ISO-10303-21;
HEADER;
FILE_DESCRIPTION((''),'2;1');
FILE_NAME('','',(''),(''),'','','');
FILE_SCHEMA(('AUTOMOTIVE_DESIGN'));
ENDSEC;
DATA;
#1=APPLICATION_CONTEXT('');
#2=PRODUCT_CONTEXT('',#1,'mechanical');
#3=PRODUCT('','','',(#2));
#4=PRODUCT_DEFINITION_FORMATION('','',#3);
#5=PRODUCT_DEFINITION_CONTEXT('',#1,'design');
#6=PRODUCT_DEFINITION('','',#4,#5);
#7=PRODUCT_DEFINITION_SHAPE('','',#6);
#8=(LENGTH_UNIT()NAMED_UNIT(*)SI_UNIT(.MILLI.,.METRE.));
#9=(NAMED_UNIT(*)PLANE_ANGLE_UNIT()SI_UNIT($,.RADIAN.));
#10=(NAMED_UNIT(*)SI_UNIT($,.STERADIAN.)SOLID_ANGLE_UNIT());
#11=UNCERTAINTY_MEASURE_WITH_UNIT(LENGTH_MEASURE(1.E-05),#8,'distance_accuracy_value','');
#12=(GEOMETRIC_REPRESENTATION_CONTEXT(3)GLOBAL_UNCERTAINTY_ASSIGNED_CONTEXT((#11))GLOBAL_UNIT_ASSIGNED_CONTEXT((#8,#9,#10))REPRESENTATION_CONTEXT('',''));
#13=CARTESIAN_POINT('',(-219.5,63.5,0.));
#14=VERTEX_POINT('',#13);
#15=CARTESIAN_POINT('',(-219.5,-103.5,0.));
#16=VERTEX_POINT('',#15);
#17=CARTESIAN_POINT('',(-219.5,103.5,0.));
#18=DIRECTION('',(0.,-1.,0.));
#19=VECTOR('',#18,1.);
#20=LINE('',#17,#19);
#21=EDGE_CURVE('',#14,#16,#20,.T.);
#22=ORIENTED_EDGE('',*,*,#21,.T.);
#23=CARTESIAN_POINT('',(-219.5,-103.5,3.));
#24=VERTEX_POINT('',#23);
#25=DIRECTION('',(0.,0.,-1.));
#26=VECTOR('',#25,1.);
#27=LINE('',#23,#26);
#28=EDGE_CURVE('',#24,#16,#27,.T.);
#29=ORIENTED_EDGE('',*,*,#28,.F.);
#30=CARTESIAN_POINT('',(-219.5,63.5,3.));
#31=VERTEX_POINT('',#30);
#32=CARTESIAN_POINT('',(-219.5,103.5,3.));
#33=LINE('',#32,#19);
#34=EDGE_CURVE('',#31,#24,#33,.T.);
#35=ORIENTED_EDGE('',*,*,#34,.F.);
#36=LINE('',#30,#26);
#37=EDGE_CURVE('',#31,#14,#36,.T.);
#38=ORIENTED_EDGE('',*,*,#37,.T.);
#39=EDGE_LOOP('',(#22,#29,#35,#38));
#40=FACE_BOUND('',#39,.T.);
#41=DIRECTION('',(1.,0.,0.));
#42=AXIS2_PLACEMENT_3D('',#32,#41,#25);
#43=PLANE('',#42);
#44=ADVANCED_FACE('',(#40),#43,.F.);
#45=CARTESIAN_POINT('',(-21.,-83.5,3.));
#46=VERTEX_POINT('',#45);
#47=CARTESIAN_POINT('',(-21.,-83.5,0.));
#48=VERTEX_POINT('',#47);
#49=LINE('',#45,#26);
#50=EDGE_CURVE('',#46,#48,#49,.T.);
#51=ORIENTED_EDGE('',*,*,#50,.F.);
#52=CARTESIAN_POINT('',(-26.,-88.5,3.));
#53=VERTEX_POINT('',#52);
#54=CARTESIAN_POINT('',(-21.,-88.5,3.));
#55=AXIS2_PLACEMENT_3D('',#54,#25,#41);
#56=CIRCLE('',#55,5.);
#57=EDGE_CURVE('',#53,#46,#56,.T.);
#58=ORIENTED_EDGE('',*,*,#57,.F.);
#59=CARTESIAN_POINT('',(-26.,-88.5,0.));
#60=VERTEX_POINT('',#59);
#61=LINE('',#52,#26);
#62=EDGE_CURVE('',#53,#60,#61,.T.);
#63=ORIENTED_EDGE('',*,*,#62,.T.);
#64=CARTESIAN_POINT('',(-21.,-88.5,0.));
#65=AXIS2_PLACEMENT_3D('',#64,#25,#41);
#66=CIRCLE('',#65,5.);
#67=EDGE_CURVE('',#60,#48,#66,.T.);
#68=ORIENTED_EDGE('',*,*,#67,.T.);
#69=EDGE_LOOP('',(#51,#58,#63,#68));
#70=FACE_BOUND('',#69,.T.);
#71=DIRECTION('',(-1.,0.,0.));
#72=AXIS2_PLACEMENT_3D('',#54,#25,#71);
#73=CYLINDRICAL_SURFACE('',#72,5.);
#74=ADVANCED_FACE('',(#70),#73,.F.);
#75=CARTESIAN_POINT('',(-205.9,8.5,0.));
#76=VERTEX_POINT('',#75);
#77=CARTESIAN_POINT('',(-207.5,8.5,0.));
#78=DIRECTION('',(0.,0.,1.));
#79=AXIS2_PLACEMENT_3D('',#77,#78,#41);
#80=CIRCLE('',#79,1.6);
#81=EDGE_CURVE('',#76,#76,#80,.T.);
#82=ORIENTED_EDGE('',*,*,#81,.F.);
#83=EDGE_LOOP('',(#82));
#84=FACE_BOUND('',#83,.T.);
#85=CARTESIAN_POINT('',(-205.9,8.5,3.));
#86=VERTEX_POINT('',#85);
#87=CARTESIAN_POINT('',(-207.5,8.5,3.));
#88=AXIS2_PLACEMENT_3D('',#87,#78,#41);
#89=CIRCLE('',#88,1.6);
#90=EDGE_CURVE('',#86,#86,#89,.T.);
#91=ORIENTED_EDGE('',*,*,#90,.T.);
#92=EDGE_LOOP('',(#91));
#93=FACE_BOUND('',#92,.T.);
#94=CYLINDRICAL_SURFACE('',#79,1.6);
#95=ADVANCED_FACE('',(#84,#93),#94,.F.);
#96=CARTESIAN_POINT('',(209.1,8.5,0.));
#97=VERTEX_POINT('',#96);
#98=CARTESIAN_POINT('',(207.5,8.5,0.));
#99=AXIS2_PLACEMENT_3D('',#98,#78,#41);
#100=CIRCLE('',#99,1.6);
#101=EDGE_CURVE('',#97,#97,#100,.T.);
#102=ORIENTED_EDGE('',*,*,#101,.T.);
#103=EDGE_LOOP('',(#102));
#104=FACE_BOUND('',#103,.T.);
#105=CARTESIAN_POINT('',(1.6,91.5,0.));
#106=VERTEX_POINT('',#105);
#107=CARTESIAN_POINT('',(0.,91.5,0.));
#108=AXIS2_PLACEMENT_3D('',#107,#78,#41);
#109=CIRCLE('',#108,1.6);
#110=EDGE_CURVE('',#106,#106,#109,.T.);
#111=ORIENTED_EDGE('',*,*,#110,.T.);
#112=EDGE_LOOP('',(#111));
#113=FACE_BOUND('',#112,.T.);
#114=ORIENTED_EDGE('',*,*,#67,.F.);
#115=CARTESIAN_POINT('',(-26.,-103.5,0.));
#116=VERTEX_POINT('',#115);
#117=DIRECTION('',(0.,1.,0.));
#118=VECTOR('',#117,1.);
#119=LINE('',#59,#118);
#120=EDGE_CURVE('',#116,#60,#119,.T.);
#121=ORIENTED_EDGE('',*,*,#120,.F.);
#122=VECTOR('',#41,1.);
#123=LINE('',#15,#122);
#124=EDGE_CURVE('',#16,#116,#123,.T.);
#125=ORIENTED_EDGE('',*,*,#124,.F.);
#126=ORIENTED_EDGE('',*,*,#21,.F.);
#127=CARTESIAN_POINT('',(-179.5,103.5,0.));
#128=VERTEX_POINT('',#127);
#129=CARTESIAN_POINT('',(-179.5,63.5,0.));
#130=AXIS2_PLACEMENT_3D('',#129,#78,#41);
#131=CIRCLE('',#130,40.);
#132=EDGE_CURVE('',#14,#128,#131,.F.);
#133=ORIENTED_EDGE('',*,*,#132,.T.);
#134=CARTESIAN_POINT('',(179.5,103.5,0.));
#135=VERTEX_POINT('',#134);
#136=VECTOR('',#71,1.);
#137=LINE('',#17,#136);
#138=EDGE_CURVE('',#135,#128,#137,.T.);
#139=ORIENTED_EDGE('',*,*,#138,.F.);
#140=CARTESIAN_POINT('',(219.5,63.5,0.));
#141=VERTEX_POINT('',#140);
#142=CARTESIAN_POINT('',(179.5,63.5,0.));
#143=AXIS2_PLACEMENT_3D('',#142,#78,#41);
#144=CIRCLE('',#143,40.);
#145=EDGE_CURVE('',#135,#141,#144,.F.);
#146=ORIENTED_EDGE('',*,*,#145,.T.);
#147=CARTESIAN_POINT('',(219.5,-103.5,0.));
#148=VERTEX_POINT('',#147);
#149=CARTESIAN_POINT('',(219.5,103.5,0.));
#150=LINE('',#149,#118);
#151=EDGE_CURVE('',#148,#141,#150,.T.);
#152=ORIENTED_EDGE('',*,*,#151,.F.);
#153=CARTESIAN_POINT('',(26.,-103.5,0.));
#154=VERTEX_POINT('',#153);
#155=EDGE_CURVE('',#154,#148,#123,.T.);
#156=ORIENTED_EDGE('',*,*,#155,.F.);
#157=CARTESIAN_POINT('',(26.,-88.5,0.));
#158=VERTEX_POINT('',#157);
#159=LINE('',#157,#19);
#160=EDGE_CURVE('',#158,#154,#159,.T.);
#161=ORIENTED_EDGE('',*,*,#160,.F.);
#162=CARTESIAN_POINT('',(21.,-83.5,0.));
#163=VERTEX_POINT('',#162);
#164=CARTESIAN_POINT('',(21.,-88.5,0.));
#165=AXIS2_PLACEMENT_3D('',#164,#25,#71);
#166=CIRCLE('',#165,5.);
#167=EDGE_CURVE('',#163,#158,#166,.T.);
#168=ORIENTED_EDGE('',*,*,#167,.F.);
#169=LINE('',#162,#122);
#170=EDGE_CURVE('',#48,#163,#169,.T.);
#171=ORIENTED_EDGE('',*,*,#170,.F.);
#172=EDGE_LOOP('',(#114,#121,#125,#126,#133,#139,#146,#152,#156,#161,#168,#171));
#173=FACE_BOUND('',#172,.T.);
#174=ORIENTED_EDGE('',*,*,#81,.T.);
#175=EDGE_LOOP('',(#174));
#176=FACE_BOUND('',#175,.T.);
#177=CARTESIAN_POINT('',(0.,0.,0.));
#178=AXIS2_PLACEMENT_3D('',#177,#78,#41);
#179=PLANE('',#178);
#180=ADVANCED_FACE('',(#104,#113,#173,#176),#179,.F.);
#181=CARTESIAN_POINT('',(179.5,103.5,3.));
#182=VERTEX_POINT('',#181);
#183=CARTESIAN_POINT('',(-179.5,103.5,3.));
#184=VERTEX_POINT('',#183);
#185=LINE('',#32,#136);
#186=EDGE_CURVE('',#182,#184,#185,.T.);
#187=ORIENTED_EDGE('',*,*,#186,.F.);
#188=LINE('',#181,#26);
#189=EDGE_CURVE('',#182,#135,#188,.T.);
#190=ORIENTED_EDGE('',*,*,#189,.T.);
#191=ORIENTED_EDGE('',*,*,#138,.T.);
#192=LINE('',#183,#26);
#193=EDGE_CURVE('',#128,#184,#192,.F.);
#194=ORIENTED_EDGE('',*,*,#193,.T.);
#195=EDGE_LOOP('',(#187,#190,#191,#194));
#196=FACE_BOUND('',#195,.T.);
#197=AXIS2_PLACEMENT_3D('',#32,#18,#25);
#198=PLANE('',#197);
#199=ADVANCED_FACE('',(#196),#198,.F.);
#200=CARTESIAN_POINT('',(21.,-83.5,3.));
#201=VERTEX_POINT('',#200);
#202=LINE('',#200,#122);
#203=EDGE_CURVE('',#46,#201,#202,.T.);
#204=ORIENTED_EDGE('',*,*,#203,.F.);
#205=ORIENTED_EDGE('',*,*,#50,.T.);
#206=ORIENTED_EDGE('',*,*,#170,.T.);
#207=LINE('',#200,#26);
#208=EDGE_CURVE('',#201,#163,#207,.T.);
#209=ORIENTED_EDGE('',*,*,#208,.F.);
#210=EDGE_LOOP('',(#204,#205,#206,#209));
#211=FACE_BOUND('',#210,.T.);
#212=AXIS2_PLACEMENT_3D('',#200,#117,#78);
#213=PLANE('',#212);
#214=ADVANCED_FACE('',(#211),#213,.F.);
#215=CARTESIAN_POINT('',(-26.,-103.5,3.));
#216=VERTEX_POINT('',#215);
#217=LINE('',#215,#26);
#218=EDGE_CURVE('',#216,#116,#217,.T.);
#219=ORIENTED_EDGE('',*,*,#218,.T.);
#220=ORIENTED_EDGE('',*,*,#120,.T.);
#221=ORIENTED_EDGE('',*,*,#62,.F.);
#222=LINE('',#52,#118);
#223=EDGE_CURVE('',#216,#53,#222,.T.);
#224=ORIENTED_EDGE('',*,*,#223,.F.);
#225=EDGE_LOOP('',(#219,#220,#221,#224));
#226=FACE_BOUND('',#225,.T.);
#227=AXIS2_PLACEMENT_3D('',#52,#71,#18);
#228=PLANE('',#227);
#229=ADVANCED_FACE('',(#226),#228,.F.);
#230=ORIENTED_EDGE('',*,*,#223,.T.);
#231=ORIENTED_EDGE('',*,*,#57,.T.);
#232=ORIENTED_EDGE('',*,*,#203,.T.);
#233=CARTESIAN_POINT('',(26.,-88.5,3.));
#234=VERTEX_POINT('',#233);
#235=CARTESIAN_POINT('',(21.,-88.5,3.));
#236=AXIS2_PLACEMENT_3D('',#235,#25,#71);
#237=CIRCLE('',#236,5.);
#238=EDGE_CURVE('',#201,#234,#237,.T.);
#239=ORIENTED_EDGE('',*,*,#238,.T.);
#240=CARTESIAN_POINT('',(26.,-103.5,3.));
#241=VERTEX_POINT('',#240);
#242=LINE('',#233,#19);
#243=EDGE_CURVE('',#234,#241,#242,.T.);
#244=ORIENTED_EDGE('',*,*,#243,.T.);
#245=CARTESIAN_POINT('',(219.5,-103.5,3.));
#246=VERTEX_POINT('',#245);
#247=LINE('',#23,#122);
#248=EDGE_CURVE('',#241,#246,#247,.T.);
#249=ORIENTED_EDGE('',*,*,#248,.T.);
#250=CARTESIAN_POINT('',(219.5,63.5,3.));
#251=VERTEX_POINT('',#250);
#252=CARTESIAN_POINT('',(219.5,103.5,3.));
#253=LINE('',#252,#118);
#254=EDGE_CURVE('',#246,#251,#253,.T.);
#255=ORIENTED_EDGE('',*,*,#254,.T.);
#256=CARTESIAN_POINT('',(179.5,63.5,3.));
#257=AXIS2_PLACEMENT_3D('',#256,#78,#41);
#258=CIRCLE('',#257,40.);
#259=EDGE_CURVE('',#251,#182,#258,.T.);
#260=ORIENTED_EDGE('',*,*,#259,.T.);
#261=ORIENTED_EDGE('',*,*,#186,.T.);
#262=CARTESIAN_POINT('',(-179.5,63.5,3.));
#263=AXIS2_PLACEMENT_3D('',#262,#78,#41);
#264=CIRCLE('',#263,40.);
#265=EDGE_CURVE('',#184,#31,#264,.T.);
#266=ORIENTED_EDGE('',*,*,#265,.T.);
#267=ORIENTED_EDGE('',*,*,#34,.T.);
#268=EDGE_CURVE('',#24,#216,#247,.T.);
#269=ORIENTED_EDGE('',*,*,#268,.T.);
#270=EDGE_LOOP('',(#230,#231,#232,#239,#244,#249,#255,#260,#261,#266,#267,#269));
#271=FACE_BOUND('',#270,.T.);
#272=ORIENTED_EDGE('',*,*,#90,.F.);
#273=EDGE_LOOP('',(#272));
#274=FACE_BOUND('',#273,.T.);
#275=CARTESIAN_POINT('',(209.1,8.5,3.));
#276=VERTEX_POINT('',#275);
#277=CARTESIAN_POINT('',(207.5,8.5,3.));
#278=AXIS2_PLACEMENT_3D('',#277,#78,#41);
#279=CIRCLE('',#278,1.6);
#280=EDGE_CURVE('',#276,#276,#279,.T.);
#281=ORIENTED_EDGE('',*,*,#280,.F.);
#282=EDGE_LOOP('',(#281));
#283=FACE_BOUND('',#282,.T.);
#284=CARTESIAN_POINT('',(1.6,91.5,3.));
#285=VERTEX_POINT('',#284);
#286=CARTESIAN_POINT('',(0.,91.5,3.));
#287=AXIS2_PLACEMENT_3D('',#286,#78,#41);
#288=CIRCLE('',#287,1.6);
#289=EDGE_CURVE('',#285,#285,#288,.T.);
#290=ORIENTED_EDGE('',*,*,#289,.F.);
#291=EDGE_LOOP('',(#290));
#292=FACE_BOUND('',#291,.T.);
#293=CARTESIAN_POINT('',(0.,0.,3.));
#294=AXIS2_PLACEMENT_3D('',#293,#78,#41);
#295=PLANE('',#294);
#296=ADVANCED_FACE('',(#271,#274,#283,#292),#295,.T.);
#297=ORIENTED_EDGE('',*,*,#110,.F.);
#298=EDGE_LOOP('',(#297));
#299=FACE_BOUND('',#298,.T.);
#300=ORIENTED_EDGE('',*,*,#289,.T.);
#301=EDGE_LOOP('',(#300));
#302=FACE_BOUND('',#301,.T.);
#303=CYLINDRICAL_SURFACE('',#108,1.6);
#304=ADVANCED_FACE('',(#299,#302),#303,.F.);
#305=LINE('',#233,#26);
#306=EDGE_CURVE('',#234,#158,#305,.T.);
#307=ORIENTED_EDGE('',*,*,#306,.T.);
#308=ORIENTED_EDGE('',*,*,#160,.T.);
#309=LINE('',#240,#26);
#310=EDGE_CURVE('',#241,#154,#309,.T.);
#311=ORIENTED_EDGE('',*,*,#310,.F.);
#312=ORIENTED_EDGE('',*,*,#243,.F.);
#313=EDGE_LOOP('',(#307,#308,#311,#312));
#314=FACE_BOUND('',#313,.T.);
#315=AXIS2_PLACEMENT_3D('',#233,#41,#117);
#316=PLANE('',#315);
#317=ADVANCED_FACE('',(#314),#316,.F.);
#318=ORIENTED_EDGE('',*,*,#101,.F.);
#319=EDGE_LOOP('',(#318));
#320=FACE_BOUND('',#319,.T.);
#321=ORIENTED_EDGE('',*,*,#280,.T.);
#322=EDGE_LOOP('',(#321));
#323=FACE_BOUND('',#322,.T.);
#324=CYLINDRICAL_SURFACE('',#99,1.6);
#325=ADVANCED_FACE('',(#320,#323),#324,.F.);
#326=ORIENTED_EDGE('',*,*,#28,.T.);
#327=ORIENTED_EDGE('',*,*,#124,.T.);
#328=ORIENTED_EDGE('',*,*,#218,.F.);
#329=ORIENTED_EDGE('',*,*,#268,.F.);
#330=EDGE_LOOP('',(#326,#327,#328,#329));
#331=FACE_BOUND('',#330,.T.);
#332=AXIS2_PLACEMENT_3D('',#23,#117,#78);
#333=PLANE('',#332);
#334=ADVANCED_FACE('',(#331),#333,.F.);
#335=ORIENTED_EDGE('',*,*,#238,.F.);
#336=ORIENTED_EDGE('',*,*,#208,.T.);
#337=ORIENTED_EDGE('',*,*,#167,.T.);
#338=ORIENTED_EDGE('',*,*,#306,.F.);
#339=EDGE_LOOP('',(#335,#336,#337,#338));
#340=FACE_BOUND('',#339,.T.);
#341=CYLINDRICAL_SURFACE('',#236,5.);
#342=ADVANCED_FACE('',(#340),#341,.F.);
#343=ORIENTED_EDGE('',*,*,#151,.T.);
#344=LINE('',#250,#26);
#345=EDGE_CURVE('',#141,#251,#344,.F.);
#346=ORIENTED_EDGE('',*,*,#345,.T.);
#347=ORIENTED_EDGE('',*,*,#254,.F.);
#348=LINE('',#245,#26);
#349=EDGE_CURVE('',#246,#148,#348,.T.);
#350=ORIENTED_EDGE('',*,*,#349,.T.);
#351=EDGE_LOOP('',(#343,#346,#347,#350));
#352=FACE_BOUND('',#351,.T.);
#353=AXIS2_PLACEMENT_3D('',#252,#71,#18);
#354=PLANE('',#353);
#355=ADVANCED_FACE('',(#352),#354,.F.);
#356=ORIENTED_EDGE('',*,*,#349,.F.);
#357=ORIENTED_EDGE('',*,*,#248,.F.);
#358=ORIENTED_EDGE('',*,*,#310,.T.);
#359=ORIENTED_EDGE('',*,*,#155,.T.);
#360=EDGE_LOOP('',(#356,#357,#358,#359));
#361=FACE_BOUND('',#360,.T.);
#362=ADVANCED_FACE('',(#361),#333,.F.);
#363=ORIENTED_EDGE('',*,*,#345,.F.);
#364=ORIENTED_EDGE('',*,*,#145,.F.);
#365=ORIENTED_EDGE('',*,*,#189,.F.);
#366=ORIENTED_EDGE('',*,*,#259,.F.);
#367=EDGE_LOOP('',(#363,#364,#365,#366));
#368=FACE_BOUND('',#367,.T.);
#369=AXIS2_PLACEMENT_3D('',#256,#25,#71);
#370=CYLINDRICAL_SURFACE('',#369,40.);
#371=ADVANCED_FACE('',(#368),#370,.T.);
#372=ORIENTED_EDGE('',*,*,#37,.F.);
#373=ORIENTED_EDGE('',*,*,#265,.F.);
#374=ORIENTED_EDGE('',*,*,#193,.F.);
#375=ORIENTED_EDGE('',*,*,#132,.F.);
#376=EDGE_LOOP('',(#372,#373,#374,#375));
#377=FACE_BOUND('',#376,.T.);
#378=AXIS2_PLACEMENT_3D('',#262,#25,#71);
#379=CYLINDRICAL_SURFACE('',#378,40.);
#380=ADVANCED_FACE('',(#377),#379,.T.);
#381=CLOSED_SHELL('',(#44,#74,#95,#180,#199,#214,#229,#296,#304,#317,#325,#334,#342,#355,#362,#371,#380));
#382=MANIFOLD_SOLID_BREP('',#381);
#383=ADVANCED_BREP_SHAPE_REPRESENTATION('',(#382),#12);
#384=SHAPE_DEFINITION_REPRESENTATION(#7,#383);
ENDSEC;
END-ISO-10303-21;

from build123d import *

# Parameters (mm, degrees)
SKETCH1_W           = 439
SKETCH1_H           = 207
BOSS_EXTRUDE1_DEPTH = 3
FILLET1_R           = 40
CUT_EXTRUDE1_DEPTH  = 243.696312292
SKETCH3_R           = 1.6
CUT_EXTRUDE2_DEPTH  = 243.696312292
SKETCH4_R           = 1.6
CUT_EXTRUDE3_DEPTH  = 243.696312292


with BuildPart() as part:
    # Sketch1 → Boss-Extrude1 (new body)
    with BuildSketch(Plane.XY):
        Rectangle(SKETCH1_W, SKETCH1_H)
    extrude(amount=BOSS_EXTRUDE1_DEPTH)

    # Fillet1
    fillet1_edges = [part.edges().sort_by_distance(p)[0] for p in [
        (-219.5, 103.5, 1.5),
        (219.5, 103.5, 1.5),
    ]]
    fillet(fillet1_edges, radius=FILLET1_R)

    # Sketch2 → Cut-Extrude1 (cut, through all)
    with BuildSketch(Plane(origin=(0, 0, 0), x_dir=(-1, 0, 0), z_dir=(0, 0, -1))):
        with BuildLine():
            Line((-21, -83.5), (21, -83.5))
            ThreePointArc((21, -83.5), (24.535533906, -84.964466094), (26, -88.5))
            Line((26, -88.5), (26, -103.5))
            Line((26, -103.5), (-26, -103.5))
            Line((-26, -103.5), (-26, -88.5))
            ThreePointArc((-26, -88.5), (-24.535533906, -84.964466094), (-21, -83.5))
        make_face()
    extrude(amount=-CUT_EXTRUDE1_DEPTH, mode=Mode.SUBTRACT)

    # Sketch3 → Cut-Extrude2 (cut, through all)
    with BuildSketch(Plane.XY.offset(3)):
        with Locations((-207.5, 8.5)):
            Circle(SKETCH3_R)
        with Locations((207.5, 8.5)):
            Circle(SKETCH3_R)
    extrude(amount=-CUT_EXTRUDE2_DEPTH, mode=Mode.SUBTRACT)

    # Sketch4 → Cut-Extrude3 (cut, through all)
    with BuildSketch(Plane.XY.offset(3)):
        with Locations((0, 91.5)):
            Circle(SKETCH4_R)
    extrude(amount=-CUT_EXTRUDE3_DEPTH, mode=Mode.SUBTRACT)


solid = part.part
